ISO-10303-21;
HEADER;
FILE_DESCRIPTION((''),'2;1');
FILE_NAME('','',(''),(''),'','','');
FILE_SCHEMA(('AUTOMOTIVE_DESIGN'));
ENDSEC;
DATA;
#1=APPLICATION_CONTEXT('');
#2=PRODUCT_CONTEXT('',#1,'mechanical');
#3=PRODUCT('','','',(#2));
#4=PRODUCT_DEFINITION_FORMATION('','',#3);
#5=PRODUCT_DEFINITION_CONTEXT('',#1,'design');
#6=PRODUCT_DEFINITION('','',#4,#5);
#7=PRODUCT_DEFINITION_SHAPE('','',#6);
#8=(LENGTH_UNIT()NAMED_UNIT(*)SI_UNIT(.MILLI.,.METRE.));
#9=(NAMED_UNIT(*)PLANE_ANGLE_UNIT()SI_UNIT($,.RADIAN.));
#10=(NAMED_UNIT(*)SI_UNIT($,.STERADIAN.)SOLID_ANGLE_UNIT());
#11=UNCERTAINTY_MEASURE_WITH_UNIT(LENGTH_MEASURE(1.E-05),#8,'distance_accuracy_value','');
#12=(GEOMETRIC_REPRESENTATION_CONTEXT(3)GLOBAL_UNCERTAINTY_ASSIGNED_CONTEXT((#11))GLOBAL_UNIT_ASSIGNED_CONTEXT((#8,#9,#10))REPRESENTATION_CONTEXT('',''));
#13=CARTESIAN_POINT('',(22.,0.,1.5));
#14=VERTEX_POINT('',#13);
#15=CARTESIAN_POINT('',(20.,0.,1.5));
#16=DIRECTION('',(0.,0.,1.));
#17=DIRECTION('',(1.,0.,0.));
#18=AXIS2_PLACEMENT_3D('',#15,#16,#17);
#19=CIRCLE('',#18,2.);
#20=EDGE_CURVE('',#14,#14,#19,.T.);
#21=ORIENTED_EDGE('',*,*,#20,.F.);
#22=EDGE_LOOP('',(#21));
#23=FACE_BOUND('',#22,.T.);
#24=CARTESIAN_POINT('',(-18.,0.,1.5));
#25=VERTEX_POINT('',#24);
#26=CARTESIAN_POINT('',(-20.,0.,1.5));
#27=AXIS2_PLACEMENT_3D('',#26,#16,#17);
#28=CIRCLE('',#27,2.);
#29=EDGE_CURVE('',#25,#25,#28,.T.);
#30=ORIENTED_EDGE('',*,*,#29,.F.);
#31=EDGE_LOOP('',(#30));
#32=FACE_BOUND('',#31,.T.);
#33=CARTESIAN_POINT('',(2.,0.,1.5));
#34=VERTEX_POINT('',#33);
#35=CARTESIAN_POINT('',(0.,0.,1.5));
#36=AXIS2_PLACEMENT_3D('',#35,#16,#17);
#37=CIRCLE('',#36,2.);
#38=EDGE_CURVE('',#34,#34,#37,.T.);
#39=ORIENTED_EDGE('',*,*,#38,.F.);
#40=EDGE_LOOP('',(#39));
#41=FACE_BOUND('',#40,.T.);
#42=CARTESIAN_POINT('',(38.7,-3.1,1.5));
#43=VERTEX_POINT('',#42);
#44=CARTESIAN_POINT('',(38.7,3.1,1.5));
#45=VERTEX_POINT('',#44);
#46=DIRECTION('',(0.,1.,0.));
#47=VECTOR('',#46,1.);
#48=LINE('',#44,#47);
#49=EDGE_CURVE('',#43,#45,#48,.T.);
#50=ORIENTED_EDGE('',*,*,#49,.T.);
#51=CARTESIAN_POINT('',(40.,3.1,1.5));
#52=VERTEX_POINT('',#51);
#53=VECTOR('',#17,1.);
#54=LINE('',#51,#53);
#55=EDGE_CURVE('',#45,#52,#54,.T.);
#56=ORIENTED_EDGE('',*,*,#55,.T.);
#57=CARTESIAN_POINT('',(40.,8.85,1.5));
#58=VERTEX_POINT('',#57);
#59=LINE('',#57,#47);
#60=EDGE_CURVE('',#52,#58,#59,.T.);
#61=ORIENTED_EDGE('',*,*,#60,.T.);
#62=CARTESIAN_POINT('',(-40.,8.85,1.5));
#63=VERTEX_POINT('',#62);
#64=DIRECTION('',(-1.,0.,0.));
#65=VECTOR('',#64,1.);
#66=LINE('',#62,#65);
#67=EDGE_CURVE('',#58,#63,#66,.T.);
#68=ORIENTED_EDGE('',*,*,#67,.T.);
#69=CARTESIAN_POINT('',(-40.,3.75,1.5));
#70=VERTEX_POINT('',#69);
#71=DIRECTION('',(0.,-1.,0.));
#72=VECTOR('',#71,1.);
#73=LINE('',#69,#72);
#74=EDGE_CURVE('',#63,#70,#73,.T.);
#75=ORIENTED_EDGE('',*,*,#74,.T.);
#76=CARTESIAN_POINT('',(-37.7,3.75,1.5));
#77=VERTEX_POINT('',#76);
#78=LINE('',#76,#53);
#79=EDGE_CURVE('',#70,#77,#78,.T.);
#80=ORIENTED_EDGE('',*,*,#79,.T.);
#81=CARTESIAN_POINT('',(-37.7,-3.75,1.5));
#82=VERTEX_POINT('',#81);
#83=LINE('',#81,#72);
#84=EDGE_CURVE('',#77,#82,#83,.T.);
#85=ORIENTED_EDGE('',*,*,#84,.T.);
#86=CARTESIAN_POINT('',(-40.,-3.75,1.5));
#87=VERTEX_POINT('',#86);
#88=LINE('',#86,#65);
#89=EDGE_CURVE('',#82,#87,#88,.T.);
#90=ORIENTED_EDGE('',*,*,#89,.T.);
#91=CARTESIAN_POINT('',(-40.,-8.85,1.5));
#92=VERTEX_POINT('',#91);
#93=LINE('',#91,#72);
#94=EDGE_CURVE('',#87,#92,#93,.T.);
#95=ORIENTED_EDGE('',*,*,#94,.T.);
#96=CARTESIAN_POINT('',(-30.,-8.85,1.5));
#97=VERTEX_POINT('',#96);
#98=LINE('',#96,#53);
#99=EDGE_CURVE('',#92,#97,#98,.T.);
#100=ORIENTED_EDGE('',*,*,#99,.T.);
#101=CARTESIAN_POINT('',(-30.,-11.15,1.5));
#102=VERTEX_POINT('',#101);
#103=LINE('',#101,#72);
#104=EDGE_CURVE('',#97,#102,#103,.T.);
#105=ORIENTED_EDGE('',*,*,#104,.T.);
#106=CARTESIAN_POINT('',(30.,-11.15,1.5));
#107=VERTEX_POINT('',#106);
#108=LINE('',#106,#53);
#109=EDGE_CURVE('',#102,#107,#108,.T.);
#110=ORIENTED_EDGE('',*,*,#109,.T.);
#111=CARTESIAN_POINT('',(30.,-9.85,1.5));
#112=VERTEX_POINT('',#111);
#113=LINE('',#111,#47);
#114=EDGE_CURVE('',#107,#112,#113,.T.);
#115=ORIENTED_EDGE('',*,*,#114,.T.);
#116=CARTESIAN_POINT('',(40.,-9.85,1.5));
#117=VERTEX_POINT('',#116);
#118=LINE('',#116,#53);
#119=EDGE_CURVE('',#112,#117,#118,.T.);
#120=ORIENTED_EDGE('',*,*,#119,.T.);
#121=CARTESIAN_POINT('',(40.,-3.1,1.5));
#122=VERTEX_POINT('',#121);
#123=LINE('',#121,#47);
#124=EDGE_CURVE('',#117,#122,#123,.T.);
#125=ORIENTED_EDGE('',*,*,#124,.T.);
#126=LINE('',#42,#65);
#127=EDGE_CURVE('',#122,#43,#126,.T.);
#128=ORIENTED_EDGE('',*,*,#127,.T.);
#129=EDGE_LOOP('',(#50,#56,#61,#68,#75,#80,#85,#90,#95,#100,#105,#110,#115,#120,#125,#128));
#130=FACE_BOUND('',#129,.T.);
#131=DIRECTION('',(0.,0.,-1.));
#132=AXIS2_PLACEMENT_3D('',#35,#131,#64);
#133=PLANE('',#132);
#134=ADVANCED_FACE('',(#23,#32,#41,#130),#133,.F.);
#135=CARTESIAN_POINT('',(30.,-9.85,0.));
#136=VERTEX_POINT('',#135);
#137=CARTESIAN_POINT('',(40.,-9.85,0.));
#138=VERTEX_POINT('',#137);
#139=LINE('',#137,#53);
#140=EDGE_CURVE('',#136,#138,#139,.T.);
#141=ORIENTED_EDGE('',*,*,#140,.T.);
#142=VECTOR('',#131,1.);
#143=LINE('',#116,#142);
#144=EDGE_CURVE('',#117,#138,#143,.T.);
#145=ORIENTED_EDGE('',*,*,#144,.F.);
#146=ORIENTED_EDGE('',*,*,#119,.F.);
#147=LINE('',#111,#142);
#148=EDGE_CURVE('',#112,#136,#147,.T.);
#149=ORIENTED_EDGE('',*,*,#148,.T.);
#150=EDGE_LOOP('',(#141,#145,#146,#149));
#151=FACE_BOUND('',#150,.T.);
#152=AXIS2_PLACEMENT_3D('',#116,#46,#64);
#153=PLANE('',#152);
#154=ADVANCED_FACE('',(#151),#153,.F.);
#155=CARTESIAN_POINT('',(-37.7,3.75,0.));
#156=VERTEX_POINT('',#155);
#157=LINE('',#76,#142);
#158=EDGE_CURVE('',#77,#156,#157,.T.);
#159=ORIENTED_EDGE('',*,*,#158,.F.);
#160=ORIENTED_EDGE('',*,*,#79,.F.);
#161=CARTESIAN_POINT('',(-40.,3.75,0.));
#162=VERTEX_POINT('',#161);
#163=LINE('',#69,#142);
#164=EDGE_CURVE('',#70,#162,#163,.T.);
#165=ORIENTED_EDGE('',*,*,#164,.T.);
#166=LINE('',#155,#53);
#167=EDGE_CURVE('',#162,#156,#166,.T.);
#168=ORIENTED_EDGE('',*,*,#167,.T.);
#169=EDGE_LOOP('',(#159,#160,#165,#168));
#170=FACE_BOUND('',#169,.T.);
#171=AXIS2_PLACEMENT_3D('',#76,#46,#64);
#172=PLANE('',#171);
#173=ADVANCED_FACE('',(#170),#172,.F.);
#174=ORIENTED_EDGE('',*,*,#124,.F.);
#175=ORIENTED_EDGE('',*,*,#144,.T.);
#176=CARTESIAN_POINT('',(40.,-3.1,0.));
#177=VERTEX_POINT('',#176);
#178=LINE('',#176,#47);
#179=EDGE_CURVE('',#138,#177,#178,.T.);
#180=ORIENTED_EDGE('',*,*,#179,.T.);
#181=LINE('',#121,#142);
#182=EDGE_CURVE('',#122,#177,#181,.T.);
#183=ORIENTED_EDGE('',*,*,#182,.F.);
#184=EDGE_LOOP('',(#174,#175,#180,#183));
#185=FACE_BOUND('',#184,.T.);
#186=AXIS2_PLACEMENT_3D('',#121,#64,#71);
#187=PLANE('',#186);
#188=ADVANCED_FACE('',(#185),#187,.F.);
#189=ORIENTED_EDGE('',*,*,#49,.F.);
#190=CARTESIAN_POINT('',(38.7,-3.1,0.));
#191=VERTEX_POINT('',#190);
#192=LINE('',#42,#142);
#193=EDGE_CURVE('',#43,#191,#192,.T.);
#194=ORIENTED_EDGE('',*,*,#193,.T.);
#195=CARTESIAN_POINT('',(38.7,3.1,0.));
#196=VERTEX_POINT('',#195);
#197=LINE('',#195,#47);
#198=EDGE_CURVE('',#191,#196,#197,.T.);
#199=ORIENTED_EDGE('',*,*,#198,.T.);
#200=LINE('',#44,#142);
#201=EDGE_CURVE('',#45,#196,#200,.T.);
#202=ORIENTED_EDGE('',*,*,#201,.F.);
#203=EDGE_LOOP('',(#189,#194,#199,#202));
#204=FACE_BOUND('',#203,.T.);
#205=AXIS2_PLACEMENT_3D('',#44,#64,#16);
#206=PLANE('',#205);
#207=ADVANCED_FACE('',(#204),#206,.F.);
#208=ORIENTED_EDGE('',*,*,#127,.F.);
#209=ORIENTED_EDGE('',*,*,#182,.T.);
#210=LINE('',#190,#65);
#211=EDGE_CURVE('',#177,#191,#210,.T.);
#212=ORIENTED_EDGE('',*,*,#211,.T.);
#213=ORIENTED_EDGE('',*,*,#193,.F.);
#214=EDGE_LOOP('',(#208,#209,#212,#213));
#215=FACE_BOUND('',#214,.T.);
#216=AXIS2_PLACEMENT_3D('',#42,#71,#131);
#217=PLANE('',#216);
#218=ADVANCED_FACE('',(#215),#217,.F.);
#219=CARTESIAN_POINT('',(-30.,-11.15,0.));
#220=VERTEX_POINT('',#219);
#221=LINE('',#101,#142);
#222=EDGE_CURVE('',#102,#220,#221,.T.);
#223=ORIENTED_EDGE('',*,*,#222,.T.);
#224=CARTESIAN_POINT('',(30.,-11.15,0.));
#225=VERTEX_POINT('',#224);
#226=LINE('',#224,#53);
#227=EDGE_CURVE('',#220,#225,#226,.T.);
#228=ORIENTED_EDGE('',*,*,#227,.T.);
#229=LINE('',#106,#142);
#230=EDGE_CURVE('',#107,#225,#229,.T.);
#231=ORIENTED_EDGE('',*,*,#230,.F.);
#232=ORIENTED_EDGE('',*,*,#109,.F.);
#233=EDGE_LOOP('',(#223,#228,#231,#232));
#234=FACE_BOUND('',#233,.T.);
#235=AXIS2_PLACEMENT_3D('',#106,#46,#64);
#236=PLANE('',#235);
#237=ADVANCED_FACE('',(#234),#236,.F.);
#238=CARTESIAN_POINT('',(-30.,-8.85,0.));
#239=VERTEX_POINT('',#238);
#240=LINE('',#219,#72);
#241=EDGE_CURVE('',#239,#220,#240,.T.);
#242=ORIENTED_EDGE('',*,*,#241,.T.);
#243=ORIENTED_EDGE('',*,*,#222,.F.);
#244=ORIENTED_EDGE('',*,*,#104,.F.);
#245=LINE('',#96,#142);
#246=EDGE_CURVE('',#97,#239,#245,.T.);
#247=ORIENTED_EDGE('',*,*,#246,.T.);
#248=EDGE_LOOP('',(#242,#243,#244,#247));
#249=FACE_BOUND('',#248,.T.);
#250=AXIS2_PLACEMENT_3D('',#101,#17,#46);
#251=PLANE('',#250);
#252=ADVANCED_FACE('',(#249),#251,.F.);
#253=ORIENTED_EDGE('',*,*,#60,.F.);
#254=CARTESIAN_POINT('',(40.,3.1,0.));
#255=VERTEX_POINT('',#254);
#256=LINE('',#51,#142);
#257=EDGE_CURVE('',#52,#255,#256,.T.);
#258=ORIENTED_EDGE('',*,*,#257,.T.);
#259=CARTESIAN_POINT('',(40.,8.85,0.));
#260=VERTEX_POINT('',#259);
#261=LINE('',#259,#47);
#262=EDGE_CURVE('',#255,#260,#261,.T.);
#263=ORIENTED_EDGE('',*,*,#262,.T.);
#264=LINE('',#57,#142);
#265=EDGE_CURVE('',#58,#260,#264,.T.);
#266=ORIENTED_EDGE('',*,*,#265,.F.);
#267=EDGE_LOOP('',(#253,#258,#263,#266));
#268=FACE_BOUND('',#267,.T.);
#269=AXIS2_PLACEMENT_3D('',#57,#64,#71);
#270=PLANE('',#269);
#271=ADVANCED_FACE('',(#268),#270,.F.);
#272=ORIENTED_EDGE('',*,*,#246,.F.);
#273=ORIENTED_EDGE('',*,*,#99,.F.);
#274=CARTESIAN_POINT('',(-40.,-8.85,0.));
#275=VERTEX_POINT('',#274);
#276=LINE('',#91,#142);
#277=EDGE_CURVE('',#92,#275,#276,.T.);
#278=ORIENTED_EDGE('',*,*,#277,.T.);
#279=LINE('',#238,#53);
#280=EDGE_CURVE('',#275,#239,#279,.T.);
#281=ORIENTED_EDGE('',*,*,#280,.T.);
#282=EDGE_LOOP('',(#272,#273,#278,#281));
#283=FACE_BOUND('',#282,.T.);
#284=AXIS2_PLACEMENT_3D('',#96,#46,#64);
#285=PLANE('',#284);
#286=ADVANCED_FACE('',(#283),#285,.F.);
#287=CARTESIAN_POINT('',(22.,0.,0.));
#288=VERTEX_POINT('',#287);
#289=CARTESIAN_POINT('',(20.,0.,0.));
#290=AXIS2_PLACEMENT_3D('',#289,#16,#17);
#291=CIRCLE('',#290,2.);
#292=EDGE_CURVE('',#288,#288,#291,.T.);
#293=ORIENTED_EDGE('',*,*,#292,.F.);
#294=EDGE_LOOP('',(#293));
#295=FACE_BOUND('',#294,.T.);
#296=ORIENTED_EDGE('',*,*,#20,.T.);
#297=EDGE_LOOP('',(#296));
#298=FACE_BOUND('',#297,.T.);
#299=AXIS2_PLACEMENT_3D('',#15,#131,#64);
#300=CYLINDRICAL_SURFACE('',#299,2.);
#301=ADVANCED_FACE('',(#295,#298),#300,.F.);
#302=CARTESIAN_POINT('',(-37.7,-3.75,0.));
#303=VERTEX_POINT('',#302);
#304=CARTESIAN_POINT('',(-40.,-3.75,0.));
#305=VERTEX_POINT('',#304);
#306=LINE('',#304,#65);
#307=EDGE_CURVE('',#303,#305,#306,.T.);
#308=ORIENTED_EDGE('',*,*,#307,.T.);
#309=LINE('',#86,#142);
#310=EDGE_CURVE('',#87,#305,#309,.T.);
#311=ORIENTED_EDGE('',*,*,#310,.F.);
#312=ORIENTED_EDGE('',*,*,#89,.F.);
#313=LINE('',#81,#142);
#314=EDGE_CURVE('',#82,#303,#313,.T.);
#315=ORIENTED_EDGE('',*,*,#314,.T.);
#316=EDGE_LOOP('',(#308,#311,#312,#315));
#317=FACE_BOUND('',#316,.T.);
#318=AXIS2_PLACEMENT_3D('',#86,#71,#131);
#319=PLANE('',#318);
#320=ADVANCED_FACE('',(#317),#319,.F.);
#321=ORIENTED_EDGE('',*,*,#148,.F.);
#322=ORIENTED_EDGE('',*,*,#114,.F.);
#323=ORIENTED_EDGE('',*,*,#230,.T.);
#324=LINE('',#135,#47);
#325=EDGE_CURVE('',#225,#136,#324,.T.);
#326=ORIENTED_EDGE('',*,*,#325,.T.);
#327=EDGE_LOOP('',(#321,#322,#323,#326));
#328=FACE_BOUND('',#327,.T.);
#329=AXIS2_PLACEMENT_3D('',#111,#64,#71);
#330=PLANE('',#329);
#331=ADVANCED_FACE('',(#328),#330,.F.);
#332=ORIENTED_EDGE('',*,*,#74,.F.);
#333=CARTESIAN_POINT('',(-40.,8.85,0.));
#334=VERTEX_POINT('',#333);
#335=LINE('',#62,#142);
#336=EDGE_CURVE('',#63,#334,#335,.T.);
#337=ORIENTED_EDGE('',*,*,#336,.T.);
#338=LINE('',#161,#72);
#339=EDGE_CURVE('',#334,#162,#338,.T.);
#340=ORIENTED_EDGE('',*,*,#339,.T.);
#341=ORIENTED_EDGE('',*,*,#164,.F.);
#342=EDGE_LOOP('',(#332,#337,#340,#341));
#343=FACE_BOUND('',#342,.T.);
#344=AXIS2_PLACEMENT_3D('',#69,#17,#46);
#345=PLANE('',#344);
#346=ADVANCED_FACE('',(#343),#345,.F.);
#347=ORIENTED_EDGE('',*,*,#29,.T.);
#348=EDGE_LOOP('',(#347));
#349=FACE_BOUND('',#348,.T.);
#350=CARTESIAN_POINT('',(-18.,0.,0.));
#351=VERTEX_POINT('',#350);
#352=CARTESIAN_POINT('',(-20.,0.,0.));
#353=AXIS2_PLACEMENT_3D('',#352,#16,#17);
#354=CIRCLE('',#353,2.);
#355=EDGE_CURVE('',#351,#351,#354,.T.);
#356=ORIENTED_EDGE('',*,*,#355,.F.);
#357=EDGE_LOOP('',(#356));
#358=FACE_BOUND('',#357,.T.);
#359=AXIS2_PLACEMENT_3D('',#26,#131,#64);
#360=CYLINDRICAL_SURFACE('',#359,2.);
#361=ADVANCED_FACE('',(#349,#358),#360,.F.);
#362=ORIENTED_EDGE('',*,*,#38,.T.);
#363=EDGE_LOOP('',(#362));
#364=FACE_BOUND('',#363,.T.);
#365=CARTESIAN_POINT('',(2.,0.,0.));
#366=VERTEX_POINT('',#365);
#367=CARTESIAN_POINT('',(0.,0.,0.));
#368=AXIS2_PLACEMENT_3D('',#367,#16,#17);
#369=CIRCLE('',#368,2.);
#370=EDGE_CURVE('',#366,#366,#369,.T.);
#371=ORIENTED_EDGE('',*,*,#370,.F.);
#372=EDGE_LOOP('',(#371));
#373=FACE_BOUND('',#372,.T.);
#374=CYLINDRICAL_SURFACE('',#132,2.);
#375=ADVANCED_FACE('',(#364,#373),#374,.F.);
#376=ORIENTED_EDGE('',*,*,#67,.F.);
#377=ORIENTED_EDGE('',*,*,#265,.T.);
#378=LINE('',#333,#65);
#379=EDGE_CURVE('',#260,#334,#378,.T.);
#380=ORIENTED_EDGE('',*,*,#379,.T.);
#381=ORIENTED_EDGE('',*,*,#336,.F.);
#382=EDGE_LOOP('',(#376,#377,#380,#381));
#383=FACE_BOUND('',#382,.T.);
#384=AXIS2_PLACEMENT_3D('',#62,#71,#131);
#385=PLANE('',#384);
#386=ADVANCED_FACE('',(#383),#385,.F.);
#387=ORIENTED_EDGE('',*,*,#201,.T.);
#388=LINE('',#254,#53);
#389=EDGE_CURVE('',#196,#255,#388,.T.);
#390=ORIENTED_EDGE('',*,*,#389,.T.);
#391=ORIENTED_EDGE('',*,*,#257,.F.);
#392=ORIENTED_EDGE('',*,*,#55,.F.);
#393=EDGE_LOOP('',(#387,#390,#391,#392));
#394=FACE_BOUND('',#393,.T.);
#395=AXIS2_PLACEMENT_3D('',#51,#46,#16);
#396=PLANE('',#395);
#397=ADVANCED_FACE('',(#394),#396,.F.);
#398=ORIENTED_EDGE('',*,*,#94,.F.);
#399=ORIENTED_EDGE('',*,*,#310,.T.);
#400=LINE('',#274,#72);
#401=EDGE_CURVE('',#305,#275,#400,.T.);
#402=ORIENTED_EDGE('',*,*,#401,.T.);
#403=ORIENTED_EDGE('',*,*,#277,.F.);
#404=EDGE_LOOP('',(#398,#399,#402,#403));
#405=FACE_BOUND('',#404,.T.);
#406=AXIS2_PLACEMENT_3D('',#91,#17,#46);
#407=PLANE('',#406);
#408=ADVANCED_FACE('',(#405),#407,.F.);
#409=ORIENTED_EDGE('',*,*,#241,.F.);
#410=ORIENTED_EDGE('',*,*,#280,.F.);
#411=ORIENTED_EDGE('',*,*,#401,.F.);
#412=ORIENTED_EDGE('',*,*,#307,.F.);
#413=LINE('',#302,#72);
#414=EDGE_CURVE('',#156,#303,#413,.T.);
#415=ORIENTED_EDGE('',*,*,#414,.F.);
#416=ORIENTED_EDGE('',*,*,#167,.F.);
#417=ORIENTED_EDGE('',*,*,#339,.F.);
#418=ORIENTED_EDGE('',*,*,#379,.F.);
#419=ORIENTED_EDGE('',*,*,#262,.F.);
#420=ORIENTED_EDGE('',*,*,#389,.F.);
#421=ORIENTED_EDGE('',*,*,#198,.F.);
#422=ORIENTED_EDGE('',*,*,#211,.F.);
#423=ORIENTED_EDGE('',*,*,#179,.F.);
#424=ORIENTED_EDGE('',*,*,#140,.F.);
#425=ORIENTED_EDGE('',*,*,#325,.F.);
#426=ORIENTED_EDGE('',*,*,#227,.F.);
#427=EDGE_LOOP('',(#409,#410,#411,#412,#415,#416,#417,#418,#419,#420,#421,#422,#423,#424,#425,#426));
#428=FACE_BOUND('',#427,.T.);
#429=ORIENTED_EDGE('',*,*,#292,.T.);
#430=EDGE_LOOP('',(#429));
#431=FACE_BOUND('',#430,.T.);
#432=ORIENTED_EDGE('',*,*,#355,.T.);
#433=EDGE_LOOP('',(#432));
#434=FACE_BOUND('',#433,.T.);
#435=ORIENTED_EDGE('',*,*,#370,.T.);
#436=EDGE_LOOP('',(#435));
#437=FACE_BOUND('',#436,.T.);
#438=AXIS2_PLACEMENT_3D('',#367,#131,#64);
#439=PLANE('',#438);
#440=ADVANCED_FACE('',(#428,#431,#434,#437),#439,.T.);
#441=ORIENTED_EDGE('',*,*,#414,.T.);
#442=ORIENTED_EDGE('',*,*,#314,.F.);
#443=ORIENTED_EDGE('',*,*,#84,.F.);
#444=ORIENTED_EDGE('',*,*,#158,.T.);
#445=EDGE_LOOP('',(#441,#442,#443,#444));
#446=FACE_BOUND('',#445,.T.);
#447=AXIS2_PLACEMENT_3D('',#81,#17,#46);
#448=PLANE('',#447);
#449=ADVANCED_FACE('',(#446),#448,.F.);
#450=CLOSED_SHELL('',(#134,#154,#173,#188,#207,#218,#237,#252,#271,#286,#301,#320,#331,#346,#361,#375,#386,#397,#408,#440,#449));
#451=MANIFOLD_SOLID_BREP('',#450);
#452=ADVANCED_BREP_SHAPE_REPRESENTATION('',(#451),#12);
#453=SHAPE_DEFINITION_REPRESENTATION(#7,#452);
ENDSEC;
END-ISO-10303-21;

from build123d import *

# Parameters (mm, degrees)
CROQUIS1_R              = 2
SALIENTE_EXTRUIR1_DEPTH = 1.5


with BuildPart() as part:
    # Croquis1 → Saliente-Extruir1 (new body)
    with BuildSketch(Plane.XY):
        Polygon((-40, 8.85), (40, 8.85), (40, 3.1), (38.7, 3.1), (38.7, -3.1), (40, -3.1), (40, -9.85), (30, -9.85), (30, -11.15), (-30, -11.15), (-30, -8.85), (-40, -8.85), (-40, -3.75), (-37.7, -3.75), (-37.7, 3.75), (-40, 3.75), align=None)
        with Locations((20, 0)):
            Circle(CROQUIS1_R, mode=Mode.SUBTRACT)
        Circle(CROQUIS1_R, mode=Mode.SUBTRACT)
        with Locations((-20, 0)):
            Circle(CROQUIS1_R, mode=Mode.SUBTRACT)
    extrude(amount=SALIENTE_EXTRUIR1_DEPTH)


solid = part.part
